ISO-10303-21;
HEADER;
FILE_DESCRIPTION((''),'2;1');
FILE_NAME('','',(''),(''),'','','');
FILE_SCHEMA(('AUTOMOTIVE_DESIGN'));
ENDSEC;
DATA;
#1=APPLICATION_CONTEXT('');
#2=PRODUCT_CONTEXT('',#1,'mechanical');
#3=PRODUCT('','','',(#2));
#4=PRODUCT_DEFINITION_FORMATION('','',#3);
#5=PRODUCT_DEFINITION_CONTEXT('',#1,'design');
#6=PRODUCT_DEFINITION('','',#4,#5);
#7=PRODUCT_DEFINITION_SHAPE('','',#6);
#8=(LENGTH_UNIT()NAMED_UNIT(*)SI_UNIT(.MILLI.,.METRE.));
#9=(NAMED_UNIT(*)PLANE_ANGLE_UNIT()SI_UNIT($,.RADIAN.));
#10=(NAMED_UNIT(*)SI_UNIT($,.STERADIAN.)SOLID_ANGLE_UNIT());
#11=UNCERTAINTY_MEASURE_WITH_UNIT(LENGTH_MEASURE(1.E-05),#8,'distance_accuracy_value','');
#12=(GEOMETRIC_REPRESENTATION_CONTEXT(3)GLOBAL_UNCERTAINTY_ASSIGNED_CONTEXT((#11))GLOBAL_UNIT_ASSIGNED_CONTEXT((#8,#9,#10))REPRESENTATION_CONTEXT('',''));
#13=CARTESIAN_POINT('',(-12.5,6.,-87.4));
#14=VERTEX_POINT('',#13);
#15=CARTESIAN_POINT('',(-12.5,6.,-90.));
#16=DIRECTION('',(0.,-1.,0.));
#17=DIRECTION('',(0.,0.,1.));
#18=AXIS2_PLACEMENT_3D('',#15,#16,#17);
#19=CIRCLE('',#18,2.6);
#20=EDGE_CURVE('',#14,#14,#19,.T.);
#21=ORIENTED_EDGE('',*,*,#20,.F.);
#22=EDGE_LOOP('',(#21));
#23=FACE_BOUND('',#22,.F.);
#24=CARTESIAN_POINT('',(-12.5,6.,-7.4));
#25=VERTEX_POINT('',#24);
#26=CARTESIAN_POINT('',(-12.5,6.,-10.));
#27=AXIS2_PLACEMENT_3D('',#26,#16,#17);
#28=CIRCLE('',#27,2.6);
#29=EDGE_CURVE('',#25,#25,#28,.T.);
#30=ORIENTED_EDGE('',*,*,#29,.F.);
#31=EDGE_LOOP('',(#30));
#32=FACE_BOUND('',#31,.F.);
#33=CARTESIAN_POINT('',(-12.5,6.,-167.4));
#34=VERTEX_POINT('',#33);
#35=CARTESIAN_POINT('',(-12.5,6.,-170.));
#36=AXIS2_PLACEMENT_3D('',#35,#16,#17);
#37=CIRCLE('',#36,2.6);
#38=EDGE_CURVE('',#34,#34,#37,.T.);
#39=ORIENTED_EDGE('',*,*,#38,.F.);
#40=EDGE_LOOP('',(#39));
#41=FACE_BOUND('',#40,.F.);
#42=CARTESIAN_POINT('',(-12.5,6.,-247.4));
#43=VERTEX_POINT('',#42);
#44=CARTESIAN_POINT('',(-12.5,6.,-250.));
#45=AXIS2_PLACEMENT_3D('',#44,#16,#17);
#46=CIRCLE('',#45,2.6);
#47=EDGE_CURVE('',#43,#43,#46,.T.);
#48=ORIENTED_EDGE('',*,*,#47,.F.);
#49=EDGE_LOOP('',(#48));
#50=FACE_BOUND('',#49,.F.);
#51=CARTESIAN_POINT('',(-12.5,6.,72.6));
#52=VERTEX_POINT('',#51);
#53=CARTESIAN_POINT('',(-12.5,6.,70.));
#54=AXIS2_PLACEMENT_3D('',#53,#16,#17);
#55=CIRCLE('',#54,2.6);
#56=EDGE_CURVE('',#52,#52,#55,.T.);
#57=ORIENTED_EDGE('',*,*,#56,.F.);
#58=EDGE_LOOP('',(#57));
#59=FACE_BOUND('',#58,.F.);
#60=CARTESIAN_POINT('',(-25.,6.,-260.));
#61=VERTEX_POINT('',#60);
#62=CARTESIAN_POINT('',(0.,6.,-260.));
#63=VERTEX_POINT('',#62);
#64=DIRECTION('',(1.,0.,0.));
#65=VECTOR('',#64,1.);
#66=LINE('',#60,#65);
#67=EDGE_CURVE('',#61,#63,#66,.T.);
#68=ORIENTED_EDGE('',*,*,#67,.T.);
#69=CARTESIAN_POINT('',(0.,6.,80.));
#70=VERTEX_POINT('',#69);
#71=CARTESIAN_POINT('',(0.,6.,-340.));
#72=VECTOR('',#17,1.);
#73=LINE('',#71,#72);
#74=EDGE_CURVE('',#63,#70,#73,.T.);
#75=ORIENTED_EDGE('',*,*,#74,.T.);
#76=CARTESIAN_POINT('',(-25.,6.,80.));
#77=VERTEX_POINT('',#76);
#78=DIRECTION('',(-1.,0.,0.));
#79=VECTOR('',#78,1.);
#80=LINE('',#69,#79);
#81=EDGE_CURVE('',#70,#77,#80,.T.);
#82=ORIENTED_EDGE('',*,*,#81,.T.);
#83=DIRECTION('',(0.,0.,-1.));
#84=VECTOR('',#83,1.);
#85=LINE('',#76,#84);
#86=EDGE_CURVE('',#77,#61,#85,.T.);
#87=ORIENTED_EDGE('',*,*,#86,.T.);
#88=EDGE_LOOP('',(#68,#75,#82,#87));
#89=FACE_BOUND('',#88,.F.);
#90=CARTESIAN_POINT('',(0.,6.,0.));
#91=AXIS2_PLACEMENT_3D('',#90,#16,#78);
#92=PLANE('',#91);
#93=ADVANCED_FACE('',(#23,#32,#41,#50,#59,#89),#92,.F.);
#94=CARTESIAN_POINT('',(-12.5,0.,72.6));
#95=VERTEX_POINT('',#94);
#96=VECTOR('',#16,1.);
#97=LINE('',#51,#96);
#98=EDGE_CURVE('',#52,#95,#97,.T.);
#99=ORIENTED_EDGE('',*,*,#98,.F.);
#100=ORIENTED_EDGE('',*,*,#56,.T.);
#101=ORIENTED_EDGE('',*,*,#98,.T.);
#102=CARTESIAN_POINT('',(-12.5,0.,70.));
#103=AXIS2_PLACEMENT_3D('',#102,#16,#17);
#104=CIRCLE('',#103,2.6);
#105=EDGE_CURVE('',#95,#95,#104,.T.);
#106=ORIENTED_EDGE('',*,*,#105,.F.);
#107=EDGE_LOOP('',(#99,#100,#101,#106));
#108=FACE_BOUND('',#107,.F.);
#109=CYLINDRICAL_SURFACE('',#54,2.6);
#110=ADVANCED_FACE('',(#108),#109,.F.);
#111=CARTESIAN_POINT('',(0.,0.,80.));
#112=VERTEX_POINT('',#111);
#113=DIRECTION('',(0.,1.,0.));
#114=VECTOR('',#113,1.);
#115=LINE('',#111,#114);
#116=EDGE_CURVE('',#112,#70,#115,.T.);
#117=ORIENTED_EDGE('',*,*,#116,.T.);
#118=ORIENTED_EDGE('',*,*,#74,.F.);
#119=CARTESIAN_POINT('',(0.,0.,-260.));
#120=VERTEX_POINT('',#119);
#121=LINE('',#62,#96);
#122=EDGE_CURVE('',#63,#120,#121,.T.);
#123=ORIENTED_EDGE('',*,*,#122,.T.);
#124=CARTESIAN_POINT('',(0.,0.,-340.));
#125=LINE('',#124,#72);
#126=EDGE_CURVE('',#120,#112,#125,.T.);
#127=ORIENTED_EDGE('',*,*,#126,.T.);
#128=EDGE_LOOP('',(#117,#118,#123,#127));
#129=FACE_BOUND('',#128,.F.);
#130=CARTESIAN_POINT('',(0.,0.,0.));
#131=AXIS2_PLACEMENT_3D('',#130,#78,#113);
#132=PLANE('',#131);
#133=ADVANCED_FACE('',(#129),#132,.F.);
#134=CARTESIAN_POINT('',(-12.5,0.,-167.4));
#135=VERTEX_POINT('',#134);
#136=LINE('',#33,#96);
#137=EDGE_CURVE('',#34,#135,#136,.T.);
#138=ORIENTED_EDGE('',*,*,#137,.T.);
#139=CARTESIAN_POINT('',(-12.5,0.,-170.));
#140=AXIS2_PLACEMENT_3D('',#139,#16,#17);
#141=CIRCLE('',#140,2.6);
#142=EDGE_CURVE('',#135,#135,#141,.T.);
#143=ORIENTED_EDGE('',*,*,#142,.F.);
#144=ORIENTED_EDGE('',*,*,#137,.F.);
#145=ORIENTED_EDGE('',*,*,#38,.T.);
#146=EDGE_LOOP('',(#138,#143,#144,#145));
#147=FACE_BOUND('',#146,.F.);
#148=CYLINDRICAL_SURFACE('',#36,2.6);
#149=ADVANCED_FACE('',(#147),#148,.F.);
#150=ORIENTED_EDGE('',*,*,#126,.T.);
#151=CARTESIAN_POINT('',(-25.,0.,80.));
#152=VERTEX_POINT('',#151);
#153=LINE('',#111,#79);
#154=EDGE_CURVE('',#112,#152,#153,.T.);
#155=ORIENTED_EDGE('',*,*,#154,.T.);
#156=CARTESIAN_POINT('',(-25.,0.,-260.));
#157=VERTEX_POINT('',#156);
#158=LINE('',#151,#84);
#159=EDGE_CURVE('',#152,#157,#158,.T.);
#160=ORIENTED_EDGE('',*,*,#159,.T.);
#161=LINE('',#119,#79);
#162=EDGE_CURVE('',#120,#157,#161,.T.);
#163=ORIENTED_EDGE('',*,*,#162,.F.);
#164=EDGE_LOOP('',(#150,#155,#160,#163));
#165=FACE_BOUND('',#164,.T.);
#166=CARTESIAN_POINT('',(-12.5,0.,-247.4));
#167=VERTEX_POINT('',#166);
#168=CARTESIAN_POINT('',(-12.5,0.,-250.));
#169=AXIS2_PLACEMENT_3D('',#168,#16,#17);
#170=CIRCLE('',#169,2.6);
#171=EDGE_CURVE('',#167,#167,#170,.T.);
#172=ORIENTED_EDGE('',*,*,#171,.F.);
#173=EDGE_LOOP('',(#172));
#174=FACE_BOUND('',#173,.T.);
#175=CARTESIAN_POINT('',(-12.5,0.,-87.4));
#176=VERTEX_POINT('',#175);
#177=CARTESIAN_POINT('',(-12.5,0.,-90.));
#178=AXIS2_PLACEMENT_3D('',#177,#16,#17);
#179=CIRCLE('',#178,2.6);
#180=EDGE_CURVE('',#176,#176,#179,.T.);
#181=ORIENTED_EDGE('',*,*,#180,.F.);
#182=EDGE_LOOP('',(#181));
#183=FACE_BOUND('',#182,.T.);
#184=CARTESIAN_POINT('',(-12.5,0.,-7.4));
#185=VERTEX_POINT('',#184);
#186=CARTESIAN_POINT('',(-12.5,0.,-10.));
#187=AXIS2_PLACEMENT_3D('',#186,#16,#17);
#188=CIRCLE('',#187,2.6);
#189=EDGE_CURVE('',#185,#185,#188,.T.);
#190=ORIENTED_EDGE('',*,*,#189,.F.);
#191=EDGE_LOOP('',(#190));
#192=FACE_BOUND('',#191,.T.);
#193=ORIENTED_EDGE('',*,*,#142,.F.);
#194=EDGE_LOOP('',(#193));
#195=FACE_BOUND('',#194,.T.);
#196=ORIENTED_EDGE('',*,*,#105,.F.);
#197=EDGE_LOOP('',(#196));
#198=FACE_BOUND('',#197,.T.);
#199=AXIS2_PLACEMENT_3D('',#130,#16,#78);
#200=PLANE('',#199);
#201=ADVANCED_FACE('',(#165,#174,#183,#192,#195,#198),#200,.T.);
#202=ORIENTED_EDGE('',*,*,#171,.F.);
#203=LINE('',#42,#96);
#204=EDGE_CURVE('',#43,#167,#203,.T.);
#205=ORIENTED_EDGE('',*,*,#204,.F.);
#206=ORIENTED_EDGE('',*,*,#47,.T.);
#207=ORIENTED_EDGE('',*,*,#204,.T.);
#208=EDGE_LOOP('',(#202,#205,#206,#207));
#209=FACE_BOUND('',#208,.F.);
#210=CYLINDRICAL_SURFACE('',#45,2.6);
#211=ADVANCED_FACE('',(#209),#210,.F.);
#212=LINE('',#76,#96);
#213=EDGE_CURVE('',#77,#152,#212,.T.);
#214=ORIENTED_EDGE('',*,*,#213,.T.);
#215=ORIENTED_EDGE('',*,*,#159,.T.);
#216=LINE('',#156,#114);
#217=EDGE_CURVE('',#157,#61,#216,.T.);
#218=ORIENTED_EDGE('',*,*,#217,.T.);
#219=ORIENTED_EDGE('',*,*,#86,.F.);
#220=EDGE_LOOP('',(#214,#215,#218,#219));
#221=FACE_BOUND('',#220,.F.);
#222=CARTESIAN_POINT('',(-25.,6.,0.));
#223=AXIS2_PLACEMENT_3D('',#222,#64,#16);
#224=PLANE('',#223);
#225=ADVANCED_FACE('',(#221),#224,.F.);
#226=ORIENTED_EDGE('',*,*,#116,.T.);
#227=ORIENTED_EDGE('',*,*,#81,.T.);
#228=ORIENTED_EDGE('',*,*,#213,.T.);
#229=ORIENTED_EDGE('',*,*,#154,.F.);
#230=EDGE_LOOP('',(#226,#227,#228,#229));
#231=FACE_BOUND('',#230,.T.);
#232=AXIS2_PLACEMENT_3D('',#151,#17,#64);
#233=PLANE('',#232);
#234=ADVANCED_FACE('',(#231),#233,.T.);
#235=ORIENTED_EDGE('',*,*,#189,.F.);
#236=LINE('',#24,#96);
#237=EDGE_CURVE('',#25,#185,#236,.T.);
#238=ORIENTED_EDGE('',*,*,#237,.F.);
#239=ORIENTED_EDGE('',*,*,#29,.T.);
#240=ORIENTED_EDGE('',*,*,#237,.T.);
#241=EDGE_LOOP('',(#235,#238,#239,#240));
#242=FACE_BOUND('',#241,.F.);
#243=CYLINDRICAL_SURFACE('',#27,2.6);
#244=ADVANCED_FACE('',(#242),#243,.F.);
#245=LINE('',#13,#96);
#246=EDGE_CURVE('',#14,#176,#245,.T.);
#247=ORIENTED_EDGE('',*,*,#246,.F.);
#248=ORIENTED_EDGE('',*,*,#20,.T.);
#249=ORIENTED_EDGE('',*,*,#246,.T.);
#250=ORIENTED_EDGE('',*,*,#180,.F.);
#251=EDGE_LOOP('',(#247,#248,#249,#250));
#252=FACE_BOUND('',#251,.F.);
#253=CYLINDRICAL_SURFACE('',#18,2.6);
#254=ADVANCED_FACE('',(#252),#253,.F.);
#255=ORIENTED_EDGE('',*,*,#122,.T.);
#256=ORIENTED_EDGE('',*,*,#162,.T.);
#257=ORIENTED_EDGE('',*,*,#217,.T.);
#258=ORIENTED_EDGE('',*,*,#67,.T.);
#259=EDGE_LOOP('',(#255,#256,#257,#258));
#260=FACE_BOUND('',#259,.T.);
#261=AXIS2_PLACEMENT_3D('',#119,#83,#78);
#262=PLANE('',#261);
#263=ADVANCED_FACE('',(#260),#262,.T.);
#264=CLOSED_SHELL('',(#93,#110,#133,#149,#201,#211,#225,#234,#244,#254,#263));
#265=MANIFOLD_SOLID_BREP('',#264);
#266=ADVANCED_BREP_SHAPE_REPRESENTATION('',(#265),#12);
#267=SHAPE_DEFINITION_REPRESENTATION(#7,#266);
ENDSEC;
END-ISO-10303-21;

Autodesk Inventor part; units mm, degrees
ref_plane "YZ Plane" through (0, 0, 0) normal (1, 0, 0) x (0, 1, 0)
ref_plane "XZ Plane" through (0, 0, 0) normal (0, 1, 0) x (-1, 0, 0)
ref_plane "XY Plane" through (0, 0, 0) normal (0, 0, 1) x (1, 0, 0)
sketch "スケッチ1" plane through (0, 0, 0) normal (0, 1, 0) x (-1, 0, 0)
  line L0 (0, 0) -> (25, 0)
  line L1 (25, 0) -> (25, -340)
  line L2 (25, -340) -> (0, -340)
  line L3 (0, -340) -> (0, 0)
  dimension "d0" = 25
  dimension "d1" = 340
extrude "押し出し1" add sketch "スケッチ1" along normal blind 6
sketch "スケッチ2" plane through (0, 6, 0) normal (0, 1, 0) x (1, 0, 0)
  line L0 (-25, 0) -> (0, 0) projected
  line L1 (-12.5, 0) -> (-12.5, 340) construction
  line L2 (0, 340) -> (-25, 340) projected
  point P0 (-12.5, 10)
  point P1 (-12.5, 90)
  point P2 (-12.5, 170)
  point P3 (-12.5, 250)
  point P4 (-12.5, 330)
  dimension "d4" = 10
  dimension "d5" = 80
  dimension "d6" = 80
  dimension "d7" = 80
  dimension "d8" = 80
hole "穴1" at (-12.5, 6, -10) at (-12.5, 6, -90) at (-12.5, 6, -170) at (-12.5, 6, -250) at (-12.5, 6, -330) direction (0, -1, 0) diameter 5.2 depth 30 tip angle 118
sketch "スケッチ3" plane through (0, 0, -340) normal (0, 0, -1) x (-1, 0, 0)
  line L0 (25, 0) -> (25, 6) projected
  line L1 (0, 0) -> (25, 0)
  line L2 (25, 0) -> (25, 6)
  line L3 (25, 6) -> (0, 6)
  line L4 (0, 6) -> (0, 0)
sketch "スケッチ5" plane through (-25, 0, 0) normal (0, 0, 1) x (1, 0, 0)
  line L0 (25, 0) -> (0, 0) projected
  line L1 (25, 6) -> (0, 6) projected
  line L2 (0, 0) -> (25, 0)
  line L3 (25, 0) -> (25, 6)
  line L4 (25, 6) -> (0, 6)
  line L5 (0, 6) -> (0, 0)
extrude "押し出し3" add sketch "スケッチ5" along normal blind 80
sketch "スケッチ6" plane through (0, 6, 0) normal (0, 1, 0) x (1, 0, 0)
  line L0 (0, 340) -> (0, -80) projected
  circle A0 centre (-12.5, 10) radius 2.6 projected
  point P0 (0, 0)
  point P1 (-12.5, -70)
  dimension "d20" = 12.5
  dimension "d21" = 80
hole "穴2" at (-12.5, 6, 70) direction (0, -1, 0) diameter 5.2 end through all
sketch "スケッチ7" plane through (0, 0, -340) normal (0, 0, -1) x (-1, 0, 0)
  line L0 (0, 6) -> (25, 6) projected
  line L1 (0, 0) -> (25, 0) projected
  line L2 (25, 6) -> (0, 6)
  line L3 (0, 6) -> (0, 0)
  line L4 (0, 0) -> (25, 0)
  line L5 (25, 0) -> (25, 6)
extrude "押し出し4" cut sketch "スケッチ3" against normal blind 80
properties part number "slider_rail_gaba" material "アルミニウム 6061-AHC"
